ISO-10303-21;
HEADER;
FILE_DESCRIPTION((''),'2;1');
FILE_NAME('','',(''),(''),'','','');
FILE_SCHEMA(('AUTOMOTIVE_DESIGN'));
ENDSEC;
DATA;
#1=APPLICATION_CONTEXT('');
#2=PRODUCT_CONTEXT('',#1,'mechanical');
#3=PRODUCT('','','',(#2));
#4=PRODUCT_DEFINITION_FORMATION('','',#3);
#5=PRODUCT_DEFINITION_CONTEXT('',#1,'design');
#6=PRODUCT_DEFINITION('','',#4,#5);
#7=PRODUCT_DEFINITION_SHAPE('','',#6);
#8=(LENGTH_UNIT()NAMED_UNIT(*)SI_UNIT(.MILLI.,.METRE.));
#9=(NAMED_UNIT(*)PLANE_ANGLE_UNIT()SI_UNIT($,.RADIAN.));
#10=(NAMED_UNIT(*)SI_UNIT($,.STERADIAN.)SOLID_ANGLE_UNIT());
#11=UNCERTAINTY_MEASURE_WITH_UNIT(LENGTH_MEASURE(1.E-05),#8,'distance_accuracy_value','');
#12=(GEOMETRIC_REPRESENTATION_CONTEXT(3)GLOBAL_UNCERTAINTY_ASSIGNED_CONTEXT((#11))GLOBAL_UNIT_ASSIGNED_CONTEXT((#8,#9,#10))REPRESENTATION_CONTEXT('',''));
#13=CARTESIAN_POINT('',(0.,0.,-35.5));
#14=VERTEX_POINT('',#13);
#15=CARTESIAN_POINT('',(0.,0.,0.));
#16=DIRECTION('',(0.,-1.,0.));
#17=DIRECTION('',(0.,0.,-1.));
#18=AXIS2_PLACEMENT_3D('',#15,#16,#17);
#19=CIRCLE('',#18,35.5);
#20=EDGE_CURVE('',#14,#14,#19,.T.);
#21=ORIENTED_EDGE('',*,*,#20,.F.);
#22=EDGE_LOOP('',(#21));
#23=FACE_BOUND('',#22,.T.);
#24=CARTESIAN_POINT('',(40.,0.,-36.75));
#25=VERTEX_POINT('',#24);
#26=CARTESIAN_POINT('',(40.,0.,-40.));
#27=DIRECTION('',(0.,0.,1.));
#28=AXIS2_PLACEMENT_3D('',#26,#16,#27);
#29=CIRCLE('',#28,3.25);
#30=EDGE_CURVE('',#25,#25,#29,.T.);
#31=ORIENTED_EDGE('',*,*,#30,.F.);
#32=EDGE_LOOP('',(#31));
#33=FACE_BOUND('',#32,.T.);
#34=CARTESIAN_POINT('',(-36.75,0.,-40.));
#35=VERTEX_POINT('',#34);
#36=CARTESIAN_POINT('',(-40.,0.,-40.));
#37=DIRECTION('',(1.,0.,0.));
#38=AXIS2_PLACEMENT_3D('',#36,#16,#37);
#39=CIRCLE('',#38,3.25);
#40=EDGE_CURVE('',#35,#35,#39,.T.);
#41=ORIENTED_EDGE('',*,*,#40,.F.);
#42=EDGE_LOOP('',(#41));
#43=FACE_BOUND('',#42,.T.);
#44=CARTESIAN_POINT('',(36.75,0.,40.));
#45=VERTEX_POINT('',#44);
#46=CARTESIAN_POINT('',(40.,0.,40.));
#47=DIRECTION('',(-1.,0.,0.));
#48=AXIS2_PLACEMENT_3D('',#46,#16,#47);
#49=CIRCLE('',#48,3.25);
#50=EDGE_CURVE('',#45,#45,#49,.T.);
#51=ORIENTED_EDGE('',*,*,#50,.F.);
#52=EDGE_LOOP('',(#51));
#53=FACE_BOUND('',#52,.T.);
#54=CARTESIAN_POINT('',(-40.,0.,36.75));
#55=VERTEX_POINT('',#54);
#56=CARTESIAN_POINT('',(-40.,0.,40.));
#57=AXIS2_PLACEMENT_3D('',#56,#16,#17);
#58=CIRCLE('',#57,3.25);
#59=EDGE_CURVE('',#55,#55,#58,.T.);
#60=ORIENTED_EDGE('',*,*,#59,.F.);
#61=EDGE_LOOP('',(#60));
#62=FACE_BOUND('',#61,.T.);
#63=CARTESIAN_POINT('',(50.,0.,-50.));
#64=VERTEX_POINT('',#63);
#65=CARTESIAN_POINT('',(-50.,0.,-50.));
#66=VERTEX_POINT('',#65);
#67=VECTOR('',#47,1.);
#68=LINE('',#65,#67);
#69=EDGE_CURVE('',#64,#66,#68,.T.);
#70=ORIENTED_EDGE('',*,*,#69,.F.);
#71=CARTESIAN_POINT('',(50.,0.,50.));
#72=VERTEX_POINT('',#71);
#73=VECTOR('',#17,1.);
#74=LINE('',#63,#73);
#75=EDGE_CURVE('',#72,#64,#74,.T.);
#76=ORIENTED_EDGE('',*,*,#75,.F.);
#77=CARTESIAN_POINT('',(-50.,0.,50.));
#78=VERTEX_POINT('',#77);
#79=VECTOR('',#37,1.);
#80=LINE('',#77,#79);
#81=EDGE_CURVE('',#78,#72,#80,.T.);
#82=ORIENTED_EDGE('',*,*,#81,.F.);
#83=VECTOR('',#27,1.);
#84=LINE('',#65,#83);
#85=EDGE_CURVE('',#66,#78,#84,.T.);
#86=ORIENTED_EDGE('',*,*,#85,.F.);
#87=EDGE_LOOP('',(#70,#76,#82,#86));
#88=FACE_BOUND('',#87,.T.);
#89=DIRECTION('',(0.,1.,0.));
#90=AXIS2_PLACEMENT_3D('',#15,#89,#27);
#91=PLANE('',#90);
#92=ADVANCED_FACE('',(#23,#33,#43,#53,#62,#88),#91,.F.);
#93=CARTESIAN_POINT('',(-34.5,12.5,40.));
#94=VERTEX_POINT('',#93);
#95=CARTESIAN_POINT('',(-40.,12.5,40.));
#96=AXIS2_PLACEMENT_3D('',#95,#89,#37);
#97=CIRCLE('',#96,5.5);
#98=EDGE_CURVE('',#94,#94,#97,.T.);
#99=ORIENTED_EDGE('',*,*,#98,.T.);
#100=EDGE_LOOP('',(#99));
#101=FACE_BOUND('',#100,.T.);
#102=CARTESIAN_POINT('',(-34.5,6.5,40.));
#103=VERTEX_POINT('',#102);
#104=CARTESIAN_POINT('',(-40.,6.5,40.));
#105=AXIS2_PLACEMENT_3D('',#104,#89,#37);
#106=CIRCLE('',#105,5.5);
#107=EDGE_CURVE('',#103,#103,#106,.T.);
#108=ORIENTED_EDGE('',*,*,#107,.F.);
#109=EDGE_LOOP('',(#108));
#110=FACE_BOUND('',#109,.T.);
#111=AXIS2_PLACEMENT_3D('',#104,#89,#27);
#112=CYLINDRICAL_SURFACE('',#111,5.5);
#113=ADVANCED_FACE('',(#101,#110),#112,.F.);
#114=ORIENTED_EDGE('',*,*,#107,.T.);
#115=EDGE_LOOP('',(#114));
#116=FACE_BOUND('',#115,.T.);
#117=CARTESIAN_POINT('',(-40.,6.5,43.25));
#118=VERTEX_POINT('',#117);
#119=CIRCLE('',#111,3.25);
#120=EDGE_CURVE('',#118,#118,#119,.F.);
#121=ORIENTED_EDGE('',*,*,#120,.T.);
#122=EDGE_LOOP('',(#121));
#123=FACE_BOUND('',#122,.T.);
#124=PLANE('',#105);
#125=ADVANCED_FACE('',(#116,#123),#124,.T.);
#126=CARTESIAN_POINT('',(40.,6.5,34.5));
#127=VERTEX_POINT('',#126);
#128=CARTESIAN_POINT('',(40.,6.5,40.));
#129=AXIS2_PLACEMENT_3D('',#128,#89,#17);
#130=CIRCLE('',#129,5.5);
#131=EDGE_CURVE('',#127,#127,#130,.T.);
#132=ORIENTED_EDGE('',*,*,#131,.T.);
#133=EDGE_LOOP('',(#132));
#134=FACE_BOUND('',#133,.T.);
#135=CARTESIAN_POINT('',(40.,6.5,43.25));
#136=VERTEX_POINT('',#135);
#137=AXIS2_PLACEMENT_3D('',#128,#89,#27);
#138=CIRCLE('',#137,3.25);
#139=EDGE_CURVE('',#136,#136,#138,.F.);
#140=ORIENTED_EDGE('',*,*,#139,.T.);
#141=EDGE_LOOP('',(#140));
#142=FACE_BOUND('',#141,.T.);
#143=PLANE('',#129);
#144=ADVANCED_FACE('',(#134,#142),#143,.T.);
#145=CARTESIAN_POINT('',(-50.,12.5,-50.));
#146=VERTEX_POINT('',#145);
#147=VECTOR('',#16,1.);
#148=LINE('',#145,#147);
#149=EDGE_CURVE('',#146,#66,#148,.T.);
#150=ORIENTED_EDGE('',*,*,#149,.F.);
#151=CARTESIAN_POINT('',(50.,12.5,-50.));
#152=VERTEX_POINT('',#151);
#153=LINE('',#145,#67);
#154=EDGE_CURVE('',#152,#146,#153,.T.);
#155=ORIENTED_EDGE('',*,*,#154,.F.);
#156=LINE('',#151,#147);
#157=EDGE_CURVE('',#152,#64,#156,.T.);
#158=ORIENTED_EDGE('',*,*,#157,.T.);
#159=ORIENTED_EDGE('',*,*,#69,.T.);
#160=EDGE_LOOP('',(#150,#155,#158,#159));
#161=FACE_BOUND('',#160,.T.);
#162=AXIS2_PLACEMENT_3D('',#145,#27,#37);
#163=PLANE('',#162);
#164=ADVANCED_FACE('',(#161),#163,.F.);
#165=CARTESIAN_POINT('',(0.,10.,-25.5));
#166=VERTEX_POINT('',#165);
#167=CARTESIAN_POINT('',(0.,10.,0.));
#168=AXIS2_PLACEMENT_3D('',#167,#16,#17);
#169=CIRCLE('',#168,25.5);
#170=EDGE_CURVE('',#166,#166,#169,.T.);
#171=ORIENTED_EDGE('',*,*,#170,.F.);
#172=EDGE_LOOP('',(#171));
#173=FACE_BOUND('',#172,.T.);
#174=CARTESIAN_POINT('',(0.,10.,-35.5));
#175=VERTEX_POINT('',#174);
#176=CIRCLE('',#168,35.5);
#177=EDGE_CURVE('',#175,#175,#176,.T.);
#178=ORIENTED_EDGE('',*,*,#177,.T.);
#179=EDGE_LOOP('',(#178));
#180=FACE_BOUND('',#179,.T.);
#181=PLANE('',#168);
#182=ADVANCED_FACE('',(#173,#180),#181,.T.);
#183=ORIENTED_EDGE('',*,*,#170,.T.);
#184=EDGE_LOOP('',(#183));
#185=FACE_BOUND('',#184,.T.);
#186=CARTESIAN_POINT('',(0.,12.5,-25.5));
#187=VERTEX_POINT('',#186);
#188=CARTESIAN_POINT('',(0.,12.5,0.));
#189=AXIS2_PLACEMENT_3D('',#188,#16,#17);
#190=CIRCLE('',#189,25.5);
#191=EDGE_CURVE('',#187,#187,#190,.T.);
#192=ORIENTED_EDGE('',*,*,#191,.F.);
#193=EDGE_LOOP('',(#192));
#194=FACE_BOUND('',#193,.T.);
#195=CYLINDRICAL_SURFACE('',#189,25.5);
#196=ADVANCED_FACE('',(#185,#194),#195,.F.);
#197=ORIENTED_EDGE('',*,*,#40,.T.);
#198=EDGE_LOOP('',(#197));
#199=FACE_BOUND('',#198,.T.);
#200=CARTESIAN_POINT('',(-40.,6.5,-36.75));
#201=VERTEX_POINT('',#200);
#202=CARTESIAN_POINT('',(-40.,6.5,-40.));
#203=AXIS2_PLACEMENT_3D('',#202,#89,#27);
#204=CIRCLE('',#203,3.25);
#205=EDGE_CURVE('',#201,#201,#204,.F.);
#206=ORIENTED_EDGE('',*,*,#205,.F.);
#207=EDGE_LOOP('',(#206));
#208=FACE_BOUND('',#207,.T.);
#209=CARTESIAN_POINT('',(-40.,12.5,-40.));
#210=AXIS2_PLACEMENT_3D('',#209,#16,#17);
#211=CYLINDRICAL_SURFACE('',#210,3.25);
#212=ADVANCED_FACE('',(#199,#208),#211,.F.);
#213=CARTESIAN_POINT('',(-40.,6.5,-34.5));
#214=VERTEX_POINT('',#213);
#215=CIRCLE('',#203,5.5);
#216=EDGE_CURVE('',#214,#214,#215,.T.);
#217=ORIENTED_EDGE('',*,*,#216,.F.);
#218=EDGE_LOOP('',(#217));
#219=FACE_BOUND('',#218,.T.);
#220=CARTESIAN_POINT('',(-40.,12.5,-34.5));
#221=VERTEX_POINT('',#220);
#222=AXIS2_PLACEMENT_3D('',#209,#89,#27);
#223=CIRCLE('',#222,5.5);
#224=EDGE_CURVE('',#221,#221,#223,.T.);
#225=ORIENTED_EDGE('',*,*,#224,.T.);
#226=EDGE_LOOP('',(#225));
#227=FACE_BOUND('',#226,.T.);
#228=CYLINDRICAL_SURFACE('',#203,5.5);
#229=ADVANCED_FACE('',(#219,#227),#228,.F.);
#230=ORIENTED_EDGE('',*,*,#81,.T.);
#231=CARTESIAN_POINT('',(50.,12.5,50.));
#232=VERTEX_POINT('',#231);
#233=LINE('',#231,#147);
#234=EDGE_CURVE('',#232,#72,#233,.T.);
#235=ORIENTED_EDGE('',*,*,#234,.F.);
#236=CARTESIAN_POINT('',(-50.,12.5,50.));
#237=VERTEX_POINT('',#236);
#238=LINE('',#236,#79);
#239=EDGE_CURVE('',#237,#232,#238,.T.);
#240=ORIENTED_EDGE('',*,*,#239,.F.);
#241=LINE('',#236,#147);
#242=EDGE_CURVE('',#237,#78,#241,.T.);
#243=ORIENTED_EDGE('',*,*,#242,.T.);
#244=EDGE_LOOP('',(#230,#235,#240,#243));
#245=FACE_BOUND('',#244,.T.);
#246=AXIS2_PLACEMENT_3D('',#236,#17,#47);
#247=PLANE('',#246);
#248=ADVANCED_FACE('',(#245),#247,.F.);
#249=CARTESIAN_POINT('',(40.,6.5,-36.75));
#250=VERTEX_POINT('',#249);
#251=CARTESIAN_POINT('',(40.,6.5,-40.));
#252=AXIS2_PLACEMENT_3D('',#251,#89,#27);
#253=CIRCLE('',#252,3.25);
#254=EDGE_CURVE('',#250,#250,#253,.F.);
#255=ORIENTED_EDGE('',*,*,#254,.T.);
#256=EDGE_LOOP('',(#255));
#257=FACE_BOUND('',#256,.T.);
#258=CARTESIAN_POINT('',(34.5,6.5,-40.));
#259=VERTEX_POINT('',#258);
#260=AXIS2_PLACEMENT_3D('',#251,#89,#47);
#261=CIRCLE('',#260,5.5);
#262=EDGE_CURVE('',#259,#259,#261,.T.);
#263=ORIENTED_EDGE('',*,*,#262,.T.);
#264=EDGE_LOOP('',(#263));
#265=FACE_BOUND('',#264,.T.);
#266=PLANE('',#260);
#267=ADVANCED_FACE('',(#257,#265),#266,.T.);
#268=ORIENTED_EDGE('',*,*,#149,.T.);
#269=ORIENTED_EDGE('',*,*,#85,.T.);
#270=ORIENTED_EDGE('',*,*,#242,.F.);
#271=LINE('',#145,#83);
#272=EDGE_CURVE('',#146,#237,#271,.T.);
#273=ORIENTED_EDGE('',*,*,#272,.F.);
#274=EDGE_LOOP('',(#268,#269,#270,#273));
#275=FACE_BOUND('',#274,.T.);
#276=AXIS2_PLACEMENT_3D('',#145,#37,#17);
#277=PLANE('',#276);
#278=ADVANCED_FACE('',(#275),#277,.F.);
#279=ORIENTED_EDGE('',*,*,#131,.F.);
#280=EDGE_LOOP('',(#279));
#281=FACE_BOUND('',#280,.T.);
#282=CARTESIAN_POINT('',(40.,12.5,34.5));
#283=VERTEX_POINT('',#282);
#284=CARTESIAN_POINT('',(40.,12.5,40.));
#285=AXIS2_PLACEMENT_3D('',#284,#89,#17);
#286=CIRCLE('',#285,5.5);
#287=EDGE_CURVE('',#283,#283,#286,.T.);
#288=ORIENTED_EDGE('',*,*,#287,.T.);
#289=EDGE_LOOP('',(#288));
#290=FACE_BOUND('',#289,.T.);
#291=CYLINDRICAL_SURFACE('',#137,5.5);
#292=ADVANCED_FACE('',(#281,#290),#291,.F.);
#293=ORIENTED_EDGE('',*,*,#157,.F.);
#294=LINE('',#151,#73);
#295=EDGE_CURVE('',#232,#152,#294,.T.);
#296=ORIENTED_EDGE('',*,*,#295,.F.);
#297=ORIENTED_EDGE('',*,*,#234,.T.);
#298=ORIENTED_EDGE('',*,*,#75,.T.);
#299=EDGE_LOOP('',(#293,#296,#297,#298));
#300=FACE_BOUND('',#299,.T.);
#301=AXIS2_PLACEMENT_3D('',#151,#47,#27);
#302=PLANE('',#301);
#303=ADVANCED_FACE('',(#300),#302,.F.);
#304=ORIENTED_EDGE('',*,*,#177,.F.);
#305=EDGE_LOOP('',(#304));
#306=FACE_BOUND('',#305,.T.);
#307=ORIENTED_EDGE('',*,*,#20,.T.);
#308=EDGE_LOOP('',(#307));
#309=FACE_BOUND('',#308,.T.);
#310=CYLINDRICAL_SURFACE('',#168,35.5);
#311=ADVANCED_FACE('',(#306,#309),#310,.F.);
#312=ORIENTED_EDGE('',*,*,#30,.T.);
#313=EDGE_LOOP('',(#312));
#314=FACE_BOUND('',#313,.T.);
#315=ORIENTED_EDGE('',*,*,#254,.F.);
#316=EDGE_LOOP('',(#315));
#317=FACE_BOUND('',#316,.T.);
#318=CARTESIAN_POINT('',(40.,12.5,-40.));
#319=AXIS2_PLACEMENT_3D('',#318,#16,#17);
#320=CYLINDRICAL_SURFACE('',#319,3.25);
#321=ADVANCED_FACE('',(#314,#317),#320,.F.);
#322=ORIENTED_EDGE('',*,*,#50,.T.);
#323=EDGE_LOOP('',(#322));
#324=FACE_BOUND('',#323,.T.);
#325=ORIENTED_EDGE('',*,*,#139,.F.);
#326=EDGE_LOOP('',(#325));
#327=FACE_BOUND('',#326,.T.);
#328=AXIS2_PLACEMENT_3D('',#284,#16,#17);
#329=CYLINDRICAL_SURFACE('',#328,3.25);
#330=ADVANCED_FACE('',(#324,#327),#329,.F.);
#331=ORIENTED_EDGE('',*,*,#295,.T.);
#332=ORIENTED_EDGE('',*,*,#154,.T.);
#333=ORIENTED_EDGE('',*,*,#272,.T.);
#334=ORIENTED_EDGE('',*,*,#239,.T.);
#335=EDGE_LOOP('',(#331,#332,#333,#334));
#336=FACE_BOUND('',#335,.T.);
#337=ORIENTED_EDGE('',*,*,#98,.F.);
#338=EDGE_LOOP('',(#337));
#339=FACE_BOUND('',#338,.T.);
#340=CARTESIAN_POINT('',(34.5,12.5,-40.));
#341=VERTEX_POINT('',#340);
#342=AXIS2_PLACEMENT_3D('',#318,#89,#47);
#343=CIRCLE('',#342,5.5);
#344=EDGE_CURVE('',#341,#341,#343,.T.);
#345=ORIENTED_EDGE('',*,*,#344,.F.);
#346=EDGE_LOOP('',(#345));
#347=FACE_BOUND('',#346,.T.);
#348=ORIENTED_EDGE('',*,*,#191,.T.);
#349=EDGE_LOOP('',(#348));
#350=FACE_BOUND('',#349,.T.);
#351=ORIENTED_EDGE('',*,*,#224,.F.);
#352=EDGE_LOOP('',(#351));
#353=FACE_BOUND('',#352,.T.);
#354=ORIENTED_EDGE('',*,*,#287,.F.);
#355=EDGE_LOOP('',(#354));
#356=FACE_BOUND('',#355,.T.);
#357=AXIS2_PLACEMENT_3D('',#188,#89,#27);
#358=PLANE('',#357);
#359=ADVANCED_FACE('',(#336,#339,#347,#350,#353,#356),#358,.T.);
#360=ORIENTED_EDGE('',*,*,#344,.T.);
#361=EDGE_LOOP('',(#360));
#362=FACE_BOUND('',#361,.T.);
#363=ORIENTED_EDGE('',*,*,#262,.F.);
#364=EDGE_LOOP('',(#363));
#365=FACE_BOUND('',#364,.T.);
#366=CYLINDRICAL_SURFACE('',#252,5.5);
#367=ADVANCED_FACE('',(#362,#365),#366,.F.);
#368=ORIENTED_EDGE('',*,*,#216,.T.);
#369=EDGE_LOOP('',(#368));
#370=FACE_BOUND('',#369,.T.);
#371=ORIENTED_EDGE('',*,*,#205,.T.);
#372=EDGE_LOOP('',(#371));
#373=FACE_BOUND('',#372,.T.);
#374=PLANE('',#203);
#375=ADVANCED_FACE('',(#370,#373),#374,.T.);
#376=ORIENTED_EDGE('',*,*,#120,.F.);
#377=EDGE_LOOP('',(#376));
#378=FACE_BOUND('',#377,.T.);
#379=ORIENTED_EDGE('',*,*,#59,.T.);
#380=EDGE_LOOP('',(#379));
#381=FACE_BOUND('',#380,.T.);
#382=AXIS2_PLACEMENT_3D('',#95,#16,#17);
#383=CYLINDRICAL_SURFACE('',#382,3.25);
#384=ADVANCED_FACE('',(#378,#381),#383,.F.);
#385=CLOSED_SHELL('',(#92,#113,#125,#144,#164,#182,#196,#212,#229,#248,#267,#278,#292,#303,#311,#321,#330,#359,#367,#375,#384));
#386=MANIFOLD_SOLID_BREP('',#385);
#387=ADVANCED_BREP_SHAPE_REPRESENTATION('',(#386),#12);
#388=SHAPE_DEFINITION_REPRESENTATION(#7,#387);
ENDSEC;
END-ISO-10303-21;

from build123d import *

# Parameters (mm, degrees)
CROQUIS1_W              = 100
CROQUIS1_H              = 100
SALIENTE_EXTRUIR1_DEPTH = 12.5
CROQUIS3_R              = 35.5
CORTAR_EXTRUIR1_DEPTH   = 10
CROQUIS4_R              = 25.5
CORTAR_EXTRUIR2_DEPTH   = 72.414284285
CROQUIS5_R              = 3.25
CORTAR_EXTRUIR3_DEPTH   = 72.807033082
MATRIZC1_COUNT          = 4
CROQUIS6_R              = 5.5
CORTAR_EXTRUIR4_DEPTH   = 6
MATRIZC2_COUNT          = 4


with BuildPart() as part:
    # Croquis1 → Saliente-Extruir1 (new body)
    with BuildSketch(Plane(origin=(0, 0, 0), x_dir=(1, 0, 0), z_dir=(0, 1, 0))):
        Rectangle(CROQUIS1_W, CROQUIS1_H)
    extrude(amount=SALIENTE_EXTRUIR1_DEPTH)

    # Croquis3 → Cortar-Extruir1 (cut)
    with BuildSketch(Plane.XZ):
        with Locations(Location((0, 0, 0), (0, 0, 270))):
            Circle(CROQUIS3_R)
    extrude(amount=-CORTAR_EXTRUIR1_DEPTH, mode=Mode.SUBTRACT)

    # Croquis4 → Cortar-Extruir2 (cut, through all)
    with BuildSketch(Plane.XZ.offset(-10)):
        with Locations(Location((0, 0, 0), (0, 0, 270))):
            Circle(CROQUIS4_R)
    extrude(amount=-CORTAR_EXTRUIR2_DEPTH, mode=Mode.SUBTRACT)

    # Croquis5 → Cortar-Extruir3 (cut, through all)
    with BuildSketch(Plane.XZ):
        with Locations(Location((-40, 40, 0), (0, 0, 270))):
            Circle(CROQUIS5_R)
    cortar_extruir3 = extrude(amount=-CORTAR_EXTRUIR3_DEPTH, mode=Mode.SUBTRACT)

    # MatrizC1: Cortar-Extruir3 ×4 about axis
    matrizc1_axis = Axis((0, 0, 0), (0, 1, 0))
    for i in range(1, MATRIZC1_COUNT):
        add(cortar_extruir3.rotate(matrizc1_axis, i * 360 / MATRIZC1_COUNT), mode=Mode.SUBTRACT)

    # Croquis6 → Cortar-Extruir4 (cut)
    with BuildSketch(Plane(origin=(0, 12.5, 0), x_dir=(1, 0, 0), z_dir=(0, 1, 0))):
        with Locations(Location((-40, 40, 0), (0, 0, 270))):
            Circle(CROQUIS6_R)
    cortar_extruir4 = extrude(amount=-CORTAR_EXTRUIR4_DEPTH, mode=Mode.SUBTRACT)

    # MatrizC2: Cortar-Extruir4 ×4 about axis
    matrizc2_axis = Axis((0, 0, 0), (0, 1, 0))
    for i in range(1, MATRIZC2_COUNT):
        add(cortar_extruir4.rotate(matrizc2_axis, i * 360 / MATRIZC2_COUNT), mode=Mode.SUBTRACT)


solid = part.part
